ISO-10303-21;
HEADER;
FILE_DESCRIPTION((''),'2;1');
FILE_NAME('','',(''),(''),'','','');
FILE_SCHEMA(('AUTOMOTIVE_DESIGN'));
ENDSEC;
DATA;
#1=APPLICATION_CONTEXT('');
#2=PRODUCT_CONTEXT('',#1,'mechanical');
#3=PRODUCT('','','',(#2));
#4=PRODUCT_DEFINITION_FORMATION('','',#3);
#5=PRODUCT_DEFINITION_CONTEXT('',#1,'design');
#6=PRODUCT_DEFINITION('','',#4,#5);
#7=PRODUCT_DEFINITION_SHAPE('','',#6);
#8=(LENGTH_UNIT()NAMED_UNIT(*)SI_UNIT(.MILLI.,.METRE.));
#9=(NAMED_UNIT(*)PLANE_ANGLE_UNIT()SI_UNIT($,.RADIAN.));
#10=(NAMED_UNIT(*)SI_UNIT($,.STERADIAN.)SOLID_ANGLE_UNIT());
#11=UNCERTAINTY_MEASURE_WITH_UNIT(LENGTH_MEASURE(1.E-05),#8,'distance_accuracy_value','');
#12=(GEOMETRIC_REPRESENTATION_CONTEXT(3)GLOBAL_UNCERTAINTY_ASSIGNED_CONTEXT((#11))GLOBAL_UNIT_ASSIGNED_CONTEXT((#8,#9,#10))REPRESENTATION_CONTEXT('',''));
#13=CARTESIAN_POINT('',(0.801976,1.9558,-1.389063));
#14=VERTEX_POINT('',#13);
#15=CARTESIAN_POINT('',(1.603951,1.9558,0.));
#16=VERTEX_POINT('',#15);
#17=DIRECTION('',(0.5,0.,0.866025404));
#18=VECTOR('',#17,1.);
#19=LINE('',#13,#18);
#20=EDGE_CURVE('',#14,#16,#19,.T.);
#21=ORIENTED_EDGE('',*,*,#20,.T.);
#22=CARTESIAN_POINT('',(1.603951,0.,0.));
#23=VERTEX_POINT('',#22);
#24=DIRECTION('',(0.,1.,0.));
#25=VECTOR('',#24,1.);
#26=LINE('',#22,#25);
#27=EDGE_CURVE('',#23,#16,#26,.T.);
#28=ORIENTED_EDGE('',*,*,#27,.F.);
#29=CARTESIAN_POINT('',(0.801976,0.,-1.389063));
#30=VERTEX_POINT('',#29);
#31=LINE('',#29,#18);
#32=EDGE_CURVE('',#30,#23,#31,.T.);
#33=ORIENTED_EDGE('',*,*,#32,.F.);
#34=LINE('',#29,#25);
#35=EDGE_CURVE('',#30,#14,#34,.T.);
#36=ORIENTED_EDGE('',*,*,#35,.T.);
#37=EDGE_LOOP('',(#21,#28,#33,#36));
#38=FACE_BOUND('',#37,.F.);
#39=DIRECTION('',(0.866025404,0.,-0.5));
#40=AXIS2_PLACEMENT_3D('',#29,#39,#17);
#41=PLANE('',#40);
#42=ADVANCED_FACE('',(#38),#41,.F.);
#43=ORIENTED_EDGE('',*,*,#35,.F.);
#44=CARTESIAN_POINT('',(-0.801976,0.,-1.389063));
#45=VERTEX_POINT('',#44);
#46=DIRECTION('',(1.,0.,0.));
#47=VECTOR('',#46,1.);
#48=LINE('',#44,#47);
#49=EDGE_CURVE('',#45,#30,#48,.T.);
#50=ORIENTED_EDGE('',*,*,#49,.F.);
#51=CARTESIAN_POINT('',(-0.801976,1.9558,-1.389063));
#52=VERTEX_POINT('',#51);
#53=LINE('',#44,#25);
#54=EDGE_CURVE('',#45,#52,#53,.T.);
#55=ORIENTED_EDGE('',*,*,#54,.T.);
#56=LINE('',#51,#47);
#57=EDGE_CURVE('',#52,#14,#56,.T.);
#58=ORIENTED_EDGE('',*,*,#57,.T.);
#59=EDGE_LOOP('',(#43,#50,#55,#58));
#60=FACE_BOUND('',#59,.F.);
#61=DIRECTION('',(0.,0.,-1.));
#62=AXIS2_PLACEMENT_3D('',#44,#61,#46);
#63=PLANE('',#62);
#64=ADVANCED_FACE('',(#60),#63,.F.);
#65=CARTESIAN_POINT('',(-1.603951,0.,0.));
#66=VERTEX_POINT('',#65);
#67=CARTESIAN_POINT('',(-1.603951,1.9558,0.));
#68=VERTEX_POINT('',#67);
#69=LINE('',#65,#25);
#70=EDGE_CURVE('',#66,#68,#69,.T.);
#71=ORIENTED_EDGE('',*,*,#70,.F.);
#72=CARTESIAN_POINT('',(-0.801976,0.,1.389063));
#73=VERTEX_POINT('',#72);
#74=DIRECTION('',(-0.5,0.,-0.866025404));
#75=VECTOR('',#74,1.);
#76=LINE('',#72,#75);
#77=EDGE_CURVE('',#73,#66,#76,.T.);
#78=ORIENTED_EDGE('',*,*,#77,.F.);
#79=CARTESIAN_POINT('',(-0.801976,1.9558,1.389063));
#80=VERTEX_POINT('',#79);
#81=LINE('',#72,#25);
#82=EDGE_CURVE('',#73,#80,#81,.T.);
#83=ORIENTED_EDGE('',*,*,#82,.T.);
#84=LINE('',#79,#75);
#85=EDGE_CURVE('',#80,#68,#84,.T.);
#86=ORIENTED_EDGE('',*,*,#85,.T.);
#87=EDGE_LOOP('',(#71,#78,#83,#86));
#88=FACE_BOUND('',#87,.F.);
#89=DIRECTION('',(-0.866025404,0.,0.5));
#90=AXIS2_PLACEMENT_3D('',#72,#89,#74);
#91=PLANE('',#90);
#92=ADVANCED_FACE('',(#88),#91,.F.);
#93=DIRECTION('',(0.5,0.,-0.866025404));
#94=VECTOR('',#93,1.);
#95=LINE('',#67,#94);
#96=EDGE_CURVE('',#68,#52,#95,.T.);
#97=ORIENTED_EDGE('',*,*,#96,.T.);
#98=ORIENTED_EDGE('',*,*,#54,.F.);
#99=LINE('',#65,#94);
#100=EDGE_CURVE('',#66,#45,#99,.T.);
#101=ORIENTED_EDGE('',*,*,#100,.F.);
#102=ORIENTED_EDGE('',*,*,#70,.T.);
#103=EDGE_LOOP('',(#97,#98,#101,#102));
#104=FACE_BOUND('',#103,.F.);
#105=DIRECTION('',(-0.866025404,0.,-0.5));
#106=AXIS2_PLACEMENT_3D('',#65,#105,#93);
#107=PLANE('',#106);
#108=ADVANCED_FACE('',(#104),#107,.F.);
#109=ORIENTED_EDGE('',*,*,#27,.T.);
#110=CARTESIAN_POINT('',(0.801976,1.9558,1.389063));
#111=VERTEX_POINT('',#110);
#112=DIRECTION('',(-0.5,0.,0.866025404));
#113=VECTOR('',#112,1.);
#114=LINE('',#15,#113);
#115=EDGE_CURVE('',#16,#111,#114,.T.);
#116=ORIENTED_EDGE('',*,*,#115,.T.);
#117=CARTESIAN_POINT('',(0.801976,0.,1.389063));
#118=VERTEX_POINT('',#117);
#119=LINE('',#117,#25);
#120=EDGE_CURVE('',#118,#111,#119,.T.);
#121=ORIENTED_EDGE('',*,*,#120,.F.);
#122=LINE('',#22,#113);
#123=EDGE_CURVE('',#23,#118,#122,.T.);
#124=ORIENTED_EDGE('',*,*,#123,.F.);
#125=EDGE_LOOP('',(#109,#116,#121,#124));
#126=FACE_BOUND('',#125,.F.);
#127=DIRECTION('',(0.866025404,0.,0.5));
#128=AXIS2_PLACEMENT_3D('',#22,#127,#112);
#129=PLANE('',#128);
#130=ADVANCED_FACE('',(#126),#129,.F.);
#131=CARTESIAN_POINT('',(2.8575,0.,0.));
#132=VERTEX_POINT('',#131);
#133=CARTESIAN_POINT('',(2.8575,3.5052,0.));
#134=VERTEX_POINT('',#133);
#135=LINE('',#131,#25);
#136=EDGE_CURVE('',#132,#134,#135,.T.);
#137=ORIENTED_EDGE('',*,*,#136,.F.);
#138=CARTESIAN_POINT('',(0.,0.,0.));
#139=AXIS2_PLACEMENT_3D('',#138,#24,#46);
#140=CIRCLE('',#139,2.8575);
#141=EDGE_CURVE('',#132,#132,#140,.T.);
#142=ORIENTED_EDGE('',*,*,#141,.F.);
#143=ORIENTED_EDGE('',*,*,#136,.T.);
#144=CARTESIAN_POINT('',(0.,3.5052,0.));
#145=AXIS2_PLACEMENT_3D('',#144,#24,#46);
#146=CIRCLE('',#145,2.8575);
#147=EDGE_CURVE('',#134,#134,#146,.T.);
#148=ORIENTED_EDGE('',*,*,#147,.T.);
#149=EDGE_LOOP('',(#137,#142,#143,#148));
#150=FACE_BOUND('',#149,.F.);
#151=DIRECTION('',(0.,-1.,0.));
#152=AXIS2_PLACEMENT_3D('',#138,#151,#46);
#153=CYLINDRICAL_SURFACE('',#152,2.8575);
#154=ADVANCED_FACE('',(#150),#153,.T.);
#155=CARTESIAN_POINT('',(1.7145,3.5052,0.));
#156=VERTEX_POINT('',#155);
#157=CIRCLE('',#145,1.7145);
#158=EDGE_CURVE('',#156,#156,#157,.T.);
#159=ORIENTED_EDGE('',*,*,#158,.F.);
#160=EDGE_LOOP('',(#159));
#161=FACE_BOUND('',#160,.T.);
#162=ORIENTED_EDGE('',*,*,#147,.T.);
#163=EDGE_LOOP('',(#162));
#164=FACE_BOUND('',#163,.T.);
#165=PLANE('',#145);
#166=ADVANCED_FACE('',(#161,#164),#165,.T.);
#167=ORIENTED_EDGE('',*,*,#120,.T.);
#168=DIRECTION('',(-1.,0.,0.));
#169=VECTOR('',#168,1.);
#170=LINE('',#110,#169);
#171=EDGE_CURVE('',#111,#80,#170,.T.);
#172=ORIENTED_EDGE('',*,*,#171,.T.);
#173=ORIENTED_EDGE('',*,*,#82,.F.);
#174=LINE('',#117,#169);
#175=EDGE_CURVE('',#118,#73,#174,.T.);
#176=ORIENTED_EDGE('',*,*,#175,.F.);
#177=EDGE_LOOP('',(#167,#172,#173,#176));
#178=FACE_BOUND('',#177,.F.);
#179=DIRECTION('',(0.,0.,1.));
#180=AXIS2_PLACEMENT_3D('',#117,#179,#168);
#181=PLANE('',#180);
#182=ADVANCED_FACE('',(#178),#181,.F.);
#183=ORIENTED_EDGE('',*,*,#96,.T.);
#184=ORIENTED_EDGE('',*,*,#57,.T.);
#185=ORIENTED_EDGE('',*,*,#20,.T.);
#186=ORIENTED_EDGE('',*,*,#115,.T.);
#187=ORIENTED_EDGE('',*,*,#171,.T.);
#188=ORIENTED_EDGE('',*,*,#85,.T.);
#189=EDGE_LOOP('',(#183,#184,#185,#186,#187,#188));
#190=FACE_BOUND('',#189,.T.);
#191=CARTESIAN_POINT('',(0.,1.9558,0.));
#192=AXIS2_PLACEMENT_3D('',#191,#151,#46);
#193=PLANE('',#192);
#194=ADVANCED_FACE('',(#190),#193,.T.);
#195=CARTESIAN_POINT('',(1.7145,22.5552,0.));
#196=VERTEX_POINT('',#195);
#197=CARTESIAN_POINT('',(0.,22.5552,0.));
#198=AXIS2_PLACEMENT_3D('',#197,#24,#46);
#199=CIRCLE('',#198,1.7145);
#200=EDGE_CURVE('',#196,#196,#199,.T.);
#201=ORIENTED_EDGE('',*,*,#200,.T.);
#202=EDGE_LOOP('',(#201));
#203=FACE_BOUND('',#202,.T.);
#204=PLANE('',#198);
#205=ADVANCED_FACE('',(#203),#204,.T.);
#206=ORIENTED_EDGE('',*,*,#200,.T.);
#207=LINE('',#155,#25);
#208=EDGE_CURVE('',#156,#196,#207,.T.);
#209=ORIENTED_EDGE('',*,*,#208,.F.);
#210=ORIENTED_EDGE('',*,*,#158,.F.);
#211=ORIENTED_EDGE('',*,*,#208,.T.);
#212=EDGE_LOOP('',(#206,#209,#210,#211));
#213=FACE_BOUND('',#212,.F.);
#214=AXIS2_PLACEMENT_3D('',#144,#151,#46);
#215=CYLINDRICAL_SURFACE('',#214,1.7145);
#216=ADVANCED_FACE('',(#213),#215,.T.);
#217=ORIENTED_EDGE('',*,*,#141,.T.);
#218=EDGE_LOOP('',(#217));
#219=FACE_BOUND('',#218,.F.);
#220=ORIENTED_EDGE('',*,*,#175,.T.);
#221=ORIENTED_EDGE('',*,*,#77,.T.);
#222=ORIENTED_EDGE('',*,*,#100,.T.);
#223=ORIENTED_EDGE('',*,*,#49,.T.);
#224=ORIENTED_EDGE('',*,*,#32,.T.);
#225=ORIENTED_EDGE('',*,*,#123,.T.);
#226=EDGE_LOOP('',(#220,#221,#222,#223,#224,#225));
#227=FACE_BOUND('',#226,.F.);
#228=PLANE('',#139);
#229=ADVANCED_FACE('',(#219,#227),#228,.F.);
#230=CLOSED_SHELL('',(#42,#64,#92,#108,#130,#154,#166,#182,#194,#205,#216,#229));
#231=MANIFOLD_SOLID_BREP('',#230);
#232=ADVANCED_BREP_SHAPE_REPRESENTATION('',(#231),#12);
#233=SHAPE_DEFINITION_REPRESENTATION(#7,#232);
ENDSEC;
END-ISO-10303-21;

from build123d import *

# Parameters (mm, degrees)
SKETCH1_R           = 2.8575
BOSS_EXTRUDE1_DEPTH = 3.5052
CUT_EXTRUDE1_DEPTH  = 1.9558
SKETCH3_R           = 1.7145
BOSS_EXTRUDE2_DEPTH = 19.05


with BuildPart() as part:
    # Sketch1 → Boss-Extrude1 (new body)
    with BuildSketch(Plane(origin=(0, 0, 0), x_dir=(1, 0, 0), z_dir=(0, 1, 0))):
        Circle(SKETCH1_R)
    extrude(amount=BOSS_EXTRUDE1_DEPTH)

    # Sketch2 → Cut-Extrude1 (cut)
    with BuildSketch(Plane.XZ):
        Polygon((1.603951217, 0), (0.801975608, 1.3890625), (-0.801975608, 1.3890625), (-1.603951217, 0), (-0.801975608, -1.3890625), (0.801975608, -1.3890625), align=None)
    extrude(amount=-CUT_EXTRUDE1_DEPTH, mode=Mode.SUBTRACT)

    # Sketch3 → Boss-Extrude2 (add)
    with BuildSketch(Plane(origin=(0, 3.5052, 0), x_dir=(1, 0, 0), z_dir=(0, 1, 0))):
        Circle(SKETCH3_R)
    extrude(amount=BOSS_EXTRUDE2_DEPTH)


solid = part.part
